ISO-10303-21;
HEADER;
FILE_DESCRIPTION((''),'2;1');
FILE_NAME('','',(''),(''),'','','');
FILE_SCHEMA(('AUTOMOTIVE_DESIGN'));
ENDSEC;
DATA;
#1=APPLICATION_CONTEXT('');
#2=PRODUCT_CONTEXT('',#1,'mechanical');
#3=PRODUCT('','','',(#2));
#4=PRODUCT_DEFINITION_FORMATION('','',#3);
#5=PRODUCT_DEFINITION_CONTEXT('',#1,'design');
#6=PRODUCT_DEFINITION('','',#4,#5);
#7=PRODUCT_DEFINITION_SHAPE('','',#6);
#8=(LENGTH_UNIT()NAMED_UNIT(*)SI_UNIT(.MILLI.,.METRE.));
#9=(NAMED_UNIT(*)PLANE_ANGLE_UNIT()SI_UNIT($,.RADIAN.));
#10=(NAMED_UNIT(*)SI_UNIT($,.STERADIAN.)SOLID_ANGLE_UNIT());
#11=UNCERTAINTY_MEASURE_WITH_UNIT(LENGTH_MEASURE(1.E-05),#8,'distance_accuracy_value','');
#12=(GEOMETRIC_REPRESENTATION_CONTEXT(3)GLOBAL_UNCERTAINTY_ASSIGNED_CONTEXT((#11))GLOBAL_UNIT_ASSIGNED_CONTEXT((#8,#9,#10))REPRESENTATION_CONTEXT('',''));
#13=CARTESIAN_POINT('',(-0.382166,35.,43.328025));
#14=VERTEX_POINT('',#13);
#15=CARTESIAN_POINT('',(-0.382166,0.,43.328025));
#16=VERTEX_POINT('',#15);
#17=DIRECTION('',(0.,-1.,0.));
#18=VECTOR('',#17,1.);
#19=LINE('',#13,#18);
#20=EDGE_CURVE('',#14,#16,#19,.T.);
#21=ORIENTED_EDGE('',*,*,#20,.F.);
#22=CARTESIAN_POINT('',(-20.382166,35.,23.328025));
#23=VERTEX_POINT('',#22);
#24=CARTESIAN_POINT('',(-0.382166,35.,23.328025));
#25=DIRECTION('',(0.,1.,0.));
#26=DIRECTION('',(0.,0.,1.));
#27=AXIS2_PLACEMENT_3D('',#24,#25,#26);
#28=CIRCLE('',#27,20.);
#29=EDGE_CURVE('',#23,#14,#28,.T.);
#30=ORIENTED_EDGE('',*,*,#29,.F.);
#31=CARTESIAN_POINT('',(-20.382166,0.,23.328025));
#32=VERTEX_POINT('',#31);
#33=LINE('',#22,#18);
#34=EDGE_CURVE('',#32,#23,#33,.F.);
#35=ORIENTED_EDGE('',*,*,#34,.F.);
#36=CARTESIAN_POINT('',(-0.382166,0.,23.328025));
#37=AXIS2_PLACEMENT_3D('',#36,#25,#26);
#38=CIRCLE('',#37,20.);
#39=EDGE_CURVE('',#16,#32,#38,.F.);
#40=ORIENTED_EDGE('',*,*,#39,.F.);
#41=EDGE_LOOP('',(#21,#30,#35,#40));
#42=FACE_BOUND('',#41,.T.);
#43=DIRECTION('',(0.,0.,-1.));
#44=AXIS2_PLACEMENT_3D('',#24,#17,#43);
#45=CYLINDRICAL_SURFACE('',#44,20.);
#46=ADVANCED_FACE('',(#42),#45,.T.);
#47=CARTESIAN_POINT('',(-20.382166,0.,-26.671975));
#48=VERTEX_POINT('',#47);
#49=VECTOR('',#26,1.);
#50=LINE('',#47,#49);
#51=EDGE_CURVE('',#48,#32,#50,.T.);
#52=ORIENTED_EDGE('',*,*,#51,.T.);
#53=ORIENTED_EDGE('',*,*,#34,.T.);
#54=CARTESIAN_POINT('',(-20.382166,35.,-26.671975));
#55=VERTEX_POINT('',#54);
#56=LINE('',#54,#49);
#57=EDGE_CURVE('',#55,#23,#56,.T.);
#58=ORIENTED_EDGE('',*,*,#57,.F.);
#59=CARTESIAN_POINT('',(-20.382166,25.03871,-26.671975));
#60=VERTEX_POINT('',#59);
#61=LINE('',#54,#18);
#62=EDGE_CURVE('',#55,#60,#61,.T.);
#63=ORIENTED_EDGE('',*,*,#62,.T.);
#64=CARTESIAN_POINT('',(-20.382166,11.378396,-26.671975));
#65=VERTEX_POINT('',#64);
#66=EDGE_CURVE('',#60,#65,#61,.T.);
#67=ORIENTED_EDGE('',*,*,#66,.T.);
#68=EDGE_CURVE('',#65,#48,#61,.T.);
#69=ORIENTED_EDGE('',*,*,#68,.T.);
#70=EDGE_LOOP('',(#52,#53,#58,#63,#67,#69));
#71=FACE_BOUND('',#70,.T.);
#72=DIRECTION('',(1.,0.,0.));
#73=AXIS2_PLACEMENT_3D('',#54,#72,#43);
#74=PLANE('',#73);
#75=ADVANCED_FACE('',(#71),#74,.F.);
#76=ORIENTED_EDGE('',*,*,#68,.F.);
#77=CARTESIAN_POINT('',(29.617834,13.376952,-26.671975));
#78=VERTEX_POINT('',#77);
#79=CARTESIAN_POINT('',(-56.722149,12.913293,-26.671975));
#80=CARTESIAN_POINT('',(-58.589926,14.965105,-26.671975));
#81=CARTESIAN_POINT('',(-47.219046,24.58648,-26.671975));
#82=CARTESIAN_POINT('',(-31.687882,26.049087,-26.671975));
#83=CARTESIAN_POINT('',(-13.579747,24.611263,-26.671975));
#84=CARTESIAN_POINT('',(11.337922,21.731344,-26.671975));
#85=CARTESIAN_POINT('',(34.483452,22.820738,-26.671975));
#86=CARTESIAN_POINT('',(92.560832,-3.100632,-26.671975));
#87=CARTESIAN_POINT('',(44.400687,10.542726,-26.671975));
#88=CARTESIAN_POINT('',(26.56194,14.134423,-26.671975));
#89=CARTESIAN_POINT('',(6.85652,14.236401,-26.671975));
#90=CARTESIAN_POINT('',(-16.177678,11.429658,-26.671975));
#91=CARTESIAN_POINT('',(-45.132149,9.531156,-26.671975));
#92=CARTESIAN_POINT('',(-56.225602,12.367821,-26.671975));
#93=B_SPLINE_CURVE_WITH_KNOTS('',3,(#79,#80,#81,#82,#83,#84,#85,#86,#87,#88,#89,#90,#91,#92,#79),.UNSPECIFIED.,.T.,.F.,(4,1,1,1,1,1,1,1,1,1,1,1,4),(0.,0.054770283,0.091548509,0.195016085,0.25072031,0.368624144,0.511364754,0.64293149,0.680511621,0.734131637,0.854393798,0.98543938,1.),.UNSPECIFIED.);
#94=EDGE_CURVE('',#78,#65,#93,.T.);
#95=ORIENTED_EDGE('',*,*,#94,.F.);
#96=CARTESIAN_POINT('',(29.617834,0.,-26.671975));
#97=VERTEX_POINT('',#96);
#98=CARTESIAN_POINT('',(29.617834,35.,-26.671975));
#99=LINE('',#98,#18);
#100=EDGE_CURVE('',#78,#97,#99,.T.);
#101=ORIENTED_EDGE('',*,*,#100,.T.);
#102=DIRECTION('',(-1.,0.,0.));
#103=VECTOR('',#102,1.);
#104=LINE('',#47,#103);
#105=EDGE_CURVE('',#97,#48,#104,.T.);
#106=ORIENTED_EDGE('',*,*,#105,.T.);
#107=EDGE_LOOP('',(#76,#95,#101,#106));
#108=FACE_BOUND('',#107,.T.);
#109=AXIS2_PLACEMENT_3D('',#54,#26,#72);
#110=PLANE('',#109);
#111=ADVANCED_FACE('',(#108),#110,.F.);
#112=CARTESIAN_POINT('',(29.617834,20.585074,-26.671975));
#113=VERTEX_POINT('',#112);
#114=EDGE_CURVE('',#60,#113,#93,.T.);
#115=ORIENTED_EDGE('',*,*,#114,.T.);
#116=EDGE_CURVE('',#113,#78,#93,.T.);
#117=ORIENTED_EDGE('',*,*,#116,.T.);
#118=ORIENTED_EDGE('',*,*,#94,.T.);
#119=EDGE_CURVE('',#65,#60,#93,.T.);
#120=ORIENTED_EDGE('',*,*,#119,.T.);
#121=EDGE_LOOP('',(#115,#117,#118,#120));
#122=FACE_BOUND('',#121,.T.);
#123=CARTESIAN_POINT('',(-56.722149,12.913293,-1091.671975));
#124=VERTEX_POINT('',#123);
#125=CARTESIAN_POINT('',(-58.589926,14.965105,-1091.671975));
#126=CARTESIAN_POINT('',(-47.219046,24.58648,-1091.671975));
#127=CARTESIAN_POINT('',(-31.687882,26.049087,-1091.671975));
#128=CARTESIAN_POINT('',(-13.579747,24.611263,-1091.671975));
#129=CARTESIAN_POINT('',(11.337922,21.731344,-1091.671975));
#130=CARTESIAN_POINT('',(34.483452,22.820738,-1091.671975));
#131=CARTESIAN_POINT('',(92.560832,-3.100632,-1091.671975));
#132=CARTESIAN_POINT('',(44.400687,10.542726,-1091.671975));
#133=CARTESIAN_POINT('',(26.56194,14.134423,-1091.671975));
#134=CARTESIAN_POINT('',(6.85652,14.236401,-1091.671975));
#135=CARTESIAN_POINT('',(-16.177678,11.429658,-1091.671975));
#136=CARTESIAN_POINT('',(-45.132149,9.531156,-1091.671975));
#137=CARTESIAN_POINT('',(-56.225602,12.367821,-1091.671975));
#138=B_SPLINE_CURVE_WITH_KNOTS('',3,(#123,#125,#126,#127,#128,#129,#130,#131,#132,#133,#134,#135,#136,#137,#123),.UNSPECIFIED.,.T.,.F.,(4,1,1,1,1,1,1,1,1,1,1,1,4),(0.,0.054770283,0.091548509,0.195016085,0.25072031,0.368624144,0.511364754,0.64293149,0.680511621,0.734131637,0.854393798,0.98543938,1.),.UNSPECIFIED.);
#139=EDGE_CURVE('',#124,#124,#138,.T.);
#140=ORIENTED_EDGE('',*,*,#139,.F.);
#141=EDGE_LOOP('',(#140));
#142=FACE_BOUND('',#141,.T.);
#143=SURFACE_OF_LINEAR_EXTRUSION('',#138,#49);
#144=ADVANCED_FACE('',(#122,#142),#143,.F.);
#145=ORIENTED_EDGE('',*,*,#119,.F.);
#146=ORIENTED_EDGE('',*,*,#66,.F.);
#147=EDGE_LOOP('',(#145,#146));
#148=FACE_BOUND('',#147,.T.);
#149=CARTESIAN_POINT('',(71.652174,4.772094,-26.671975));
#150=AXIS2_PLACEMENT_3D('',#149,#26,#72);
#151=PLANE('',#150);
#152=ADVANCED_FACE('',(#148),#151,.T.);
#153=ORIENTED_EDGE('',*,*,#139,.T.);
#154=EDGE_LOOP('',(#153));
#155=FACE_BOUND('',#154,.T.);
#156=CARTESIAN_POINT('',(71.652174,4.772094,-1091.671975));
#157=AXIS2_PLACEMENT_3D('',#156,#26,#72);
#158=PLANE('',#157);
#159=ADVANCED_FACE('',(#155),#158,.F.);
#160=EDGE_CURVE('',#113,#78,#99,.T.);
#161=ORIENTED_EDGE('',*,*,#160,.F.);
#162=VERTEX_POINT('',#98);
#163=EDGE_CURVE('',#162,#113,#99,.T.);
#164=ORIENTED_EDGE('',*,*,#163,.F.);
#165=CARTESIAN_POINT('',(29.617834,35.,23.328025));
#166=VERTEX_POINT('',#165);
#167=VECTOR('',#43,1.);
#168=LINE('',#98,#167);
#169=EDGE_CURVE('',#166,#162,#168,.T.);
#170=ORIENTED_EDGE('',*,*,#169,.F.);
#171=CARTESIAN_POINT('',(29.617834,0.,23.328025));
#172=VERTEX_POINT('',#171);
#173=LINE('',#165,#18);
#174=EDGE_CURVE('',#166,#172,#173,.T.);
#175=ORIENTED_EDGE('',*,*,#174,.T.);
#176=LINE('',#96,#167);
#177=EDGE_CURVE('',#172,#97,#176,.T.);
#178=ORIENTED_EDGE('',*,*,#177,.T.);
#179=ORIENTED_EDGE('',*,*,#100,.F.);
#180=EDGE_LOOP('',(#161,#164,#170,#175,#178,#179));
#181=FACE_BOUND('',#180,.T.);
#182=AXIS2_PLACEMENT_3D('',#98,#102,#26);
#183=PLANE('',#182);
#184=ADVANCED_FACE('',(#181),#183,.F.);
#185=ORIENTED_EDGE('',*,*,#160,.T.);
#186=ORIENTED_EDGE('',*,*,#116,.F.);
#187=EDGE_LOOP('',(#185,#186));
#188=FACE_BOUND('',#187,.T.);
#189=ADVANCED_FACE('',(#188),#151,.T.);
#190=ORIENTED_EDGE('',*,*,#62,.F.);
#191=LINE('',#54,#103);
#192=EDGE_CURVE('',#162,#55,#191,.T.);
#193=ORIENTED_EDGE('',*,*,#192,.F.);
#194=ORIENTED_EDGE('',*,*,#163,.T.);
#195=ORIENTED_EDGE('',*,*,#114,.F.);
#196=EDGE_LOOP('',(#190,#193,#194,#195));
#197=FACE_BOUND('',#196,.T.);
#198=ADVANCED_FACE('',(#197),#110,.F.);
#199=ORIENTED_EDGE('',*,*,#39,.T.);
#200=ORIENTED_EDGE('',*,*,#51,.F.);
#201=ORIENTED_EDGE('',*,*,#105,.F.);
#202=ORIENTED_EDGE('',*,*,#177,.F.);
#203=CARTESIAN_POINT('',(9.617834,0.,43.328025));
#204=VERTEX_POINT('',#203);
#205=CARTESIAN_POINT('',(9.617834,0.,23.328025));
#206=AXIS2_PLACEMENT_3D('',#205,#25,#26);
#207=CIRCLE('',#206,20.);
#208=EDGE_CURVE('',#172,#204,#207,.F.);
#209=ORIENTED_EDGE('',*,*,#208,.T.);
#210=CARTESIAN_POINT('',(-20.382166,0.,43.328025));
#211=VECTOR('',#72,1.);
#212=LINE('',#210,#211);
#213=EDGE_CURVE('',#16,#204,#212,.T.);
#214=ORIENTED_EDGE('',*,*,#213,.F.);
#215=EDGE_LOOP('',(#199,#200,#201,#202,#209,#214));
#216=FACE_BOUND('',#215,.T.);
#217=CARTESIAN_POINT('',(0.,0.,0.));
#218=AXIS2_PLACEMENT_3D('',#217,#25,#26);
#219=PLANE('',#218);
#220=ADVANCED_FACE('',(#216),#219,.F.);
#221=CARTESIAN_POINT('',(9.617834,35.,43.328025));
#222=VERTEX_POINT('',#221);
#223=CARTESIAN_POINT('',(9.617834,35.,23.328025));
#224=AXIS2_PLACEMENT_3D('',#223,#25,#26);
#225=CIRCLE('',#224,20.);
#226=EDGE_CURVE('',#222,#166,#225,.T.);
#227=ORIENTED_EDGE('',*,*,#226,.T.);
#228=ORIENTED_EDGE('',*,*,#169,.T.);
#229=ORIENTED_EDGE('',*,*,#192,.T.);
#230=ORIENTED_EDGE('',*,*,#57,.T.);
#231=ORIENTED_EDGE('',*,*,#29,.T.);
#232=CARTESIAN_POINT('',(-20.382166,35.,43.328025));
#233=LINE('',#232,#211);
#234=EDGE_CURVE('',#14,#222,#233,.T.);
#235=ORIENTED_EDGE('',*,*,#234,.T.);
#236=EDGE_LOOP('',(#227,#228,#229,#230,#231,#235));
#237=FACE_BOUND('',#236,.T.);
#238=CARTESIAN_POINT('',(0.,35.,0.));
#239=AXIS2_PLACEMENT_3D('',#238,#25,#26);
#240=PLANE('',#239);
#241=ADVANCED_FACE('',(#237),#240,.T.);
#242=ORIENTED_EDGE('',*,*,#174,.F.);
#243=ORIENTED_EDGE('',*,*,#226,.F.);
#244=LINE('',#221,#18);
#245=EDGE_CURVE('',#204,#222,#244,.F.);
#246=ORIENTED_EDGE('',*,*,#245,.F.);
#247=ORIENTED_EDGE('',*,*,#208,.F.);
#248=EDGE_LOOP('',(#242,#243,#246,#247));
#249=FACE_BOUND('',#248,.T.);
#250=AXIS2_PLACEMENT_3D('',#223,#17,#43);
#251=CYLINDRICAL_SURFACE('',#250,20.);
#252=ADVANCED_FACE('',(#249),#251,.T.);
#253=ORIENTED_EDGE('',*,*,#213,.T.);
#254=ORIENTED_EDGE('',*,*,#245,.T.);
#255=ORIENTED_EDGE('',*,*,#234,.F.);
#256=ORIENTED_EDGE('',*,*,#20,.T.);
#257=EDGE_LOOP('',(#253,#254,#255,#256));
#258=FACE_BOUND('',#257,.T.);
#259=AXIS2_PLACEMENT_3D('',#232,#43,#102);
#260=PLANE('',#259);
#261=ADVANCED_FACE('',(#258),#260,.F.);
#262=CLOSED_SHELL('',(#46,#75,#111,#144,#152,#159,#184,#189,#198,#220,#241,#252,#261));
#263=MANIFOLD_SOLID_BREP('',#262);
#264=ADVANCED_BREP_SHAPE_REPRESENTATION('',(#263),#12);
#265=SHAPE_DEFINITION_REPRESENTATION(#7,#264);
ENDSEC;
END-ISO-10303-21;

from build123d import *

# Parameters (mm, degrees)
SKETCH1_W           = 50
SKETCH1_H           = 70
BOSS_EXTRUDE1_DEPTH = 35
FILLET1_R           = 20
BOSS_EXTRUDE2_DEPTH = 1065


with BuildPart() as part:
    # Sketch1 → Boss-Extrude1 (new body)
    with BuildSketch(Plane(origin=(0, 0, 0), x_dir=(1, 0, 0), z_dir=(0, 1, 0))):
        with Locations((4.617834395, -8.328025478)):
            Rectangle(SKETCH1_W, SKETCH1_H)
    extrude(amount=BOSS_EXTRUDE1_DEPTH)

    # Fillet1
    fillet1_edges = [part.edges().sort_by_distance(p)[0] for p in [
        (29.617834395, 17.5, 43.328025478),
        (-20.382165605, 17.5, 43.328025478),
    ]]
    fillet(fillet1_edges, radius=FILLET1_R)

    # Sketch2 → Boss-Extrude2 (add)
    with BuildSketch(Plane(origin=(0, 0, -26.671974522), x_dir=(-1, 0, 0), z_dir=(0, 0, -1))):
        with BuildLine():
            add(Edge.make_bspline(
                [(56.722148901, 12.913293113), (58.589926299, 14.965104588), (47.219045714, 24.586480163), (31.687882118, 26.049087), (13.579747114, 24.611263392), (-11.337922493, 21.731344132), (-34.483451913, 22.820737932), (-92.560831912, -3.100632405), (-44.400686991, 10.542725842), (-26.561940096, 14.134422728), (-6.856520396, 14.236401498), (16.177677618, 11.429658109), (45.13214894, 9.531156438), (56.225602316, 12.367821268), (56.722148901, 12.913293113)],
                knots=[0, 0, 0, 0, 0.054770283, 0.091548509, 0.195016085, 0.25072031, 0.368624144, 0.511364754, 0.64293149, 0.680511621, 0.734131637, 0.854393798, 0.98543938, 1, 1, 1, 1], degree=3))
        make_face()
    extrude(amount=BOSS_EXTRUDE2_DEPTH)


solid = part.part
